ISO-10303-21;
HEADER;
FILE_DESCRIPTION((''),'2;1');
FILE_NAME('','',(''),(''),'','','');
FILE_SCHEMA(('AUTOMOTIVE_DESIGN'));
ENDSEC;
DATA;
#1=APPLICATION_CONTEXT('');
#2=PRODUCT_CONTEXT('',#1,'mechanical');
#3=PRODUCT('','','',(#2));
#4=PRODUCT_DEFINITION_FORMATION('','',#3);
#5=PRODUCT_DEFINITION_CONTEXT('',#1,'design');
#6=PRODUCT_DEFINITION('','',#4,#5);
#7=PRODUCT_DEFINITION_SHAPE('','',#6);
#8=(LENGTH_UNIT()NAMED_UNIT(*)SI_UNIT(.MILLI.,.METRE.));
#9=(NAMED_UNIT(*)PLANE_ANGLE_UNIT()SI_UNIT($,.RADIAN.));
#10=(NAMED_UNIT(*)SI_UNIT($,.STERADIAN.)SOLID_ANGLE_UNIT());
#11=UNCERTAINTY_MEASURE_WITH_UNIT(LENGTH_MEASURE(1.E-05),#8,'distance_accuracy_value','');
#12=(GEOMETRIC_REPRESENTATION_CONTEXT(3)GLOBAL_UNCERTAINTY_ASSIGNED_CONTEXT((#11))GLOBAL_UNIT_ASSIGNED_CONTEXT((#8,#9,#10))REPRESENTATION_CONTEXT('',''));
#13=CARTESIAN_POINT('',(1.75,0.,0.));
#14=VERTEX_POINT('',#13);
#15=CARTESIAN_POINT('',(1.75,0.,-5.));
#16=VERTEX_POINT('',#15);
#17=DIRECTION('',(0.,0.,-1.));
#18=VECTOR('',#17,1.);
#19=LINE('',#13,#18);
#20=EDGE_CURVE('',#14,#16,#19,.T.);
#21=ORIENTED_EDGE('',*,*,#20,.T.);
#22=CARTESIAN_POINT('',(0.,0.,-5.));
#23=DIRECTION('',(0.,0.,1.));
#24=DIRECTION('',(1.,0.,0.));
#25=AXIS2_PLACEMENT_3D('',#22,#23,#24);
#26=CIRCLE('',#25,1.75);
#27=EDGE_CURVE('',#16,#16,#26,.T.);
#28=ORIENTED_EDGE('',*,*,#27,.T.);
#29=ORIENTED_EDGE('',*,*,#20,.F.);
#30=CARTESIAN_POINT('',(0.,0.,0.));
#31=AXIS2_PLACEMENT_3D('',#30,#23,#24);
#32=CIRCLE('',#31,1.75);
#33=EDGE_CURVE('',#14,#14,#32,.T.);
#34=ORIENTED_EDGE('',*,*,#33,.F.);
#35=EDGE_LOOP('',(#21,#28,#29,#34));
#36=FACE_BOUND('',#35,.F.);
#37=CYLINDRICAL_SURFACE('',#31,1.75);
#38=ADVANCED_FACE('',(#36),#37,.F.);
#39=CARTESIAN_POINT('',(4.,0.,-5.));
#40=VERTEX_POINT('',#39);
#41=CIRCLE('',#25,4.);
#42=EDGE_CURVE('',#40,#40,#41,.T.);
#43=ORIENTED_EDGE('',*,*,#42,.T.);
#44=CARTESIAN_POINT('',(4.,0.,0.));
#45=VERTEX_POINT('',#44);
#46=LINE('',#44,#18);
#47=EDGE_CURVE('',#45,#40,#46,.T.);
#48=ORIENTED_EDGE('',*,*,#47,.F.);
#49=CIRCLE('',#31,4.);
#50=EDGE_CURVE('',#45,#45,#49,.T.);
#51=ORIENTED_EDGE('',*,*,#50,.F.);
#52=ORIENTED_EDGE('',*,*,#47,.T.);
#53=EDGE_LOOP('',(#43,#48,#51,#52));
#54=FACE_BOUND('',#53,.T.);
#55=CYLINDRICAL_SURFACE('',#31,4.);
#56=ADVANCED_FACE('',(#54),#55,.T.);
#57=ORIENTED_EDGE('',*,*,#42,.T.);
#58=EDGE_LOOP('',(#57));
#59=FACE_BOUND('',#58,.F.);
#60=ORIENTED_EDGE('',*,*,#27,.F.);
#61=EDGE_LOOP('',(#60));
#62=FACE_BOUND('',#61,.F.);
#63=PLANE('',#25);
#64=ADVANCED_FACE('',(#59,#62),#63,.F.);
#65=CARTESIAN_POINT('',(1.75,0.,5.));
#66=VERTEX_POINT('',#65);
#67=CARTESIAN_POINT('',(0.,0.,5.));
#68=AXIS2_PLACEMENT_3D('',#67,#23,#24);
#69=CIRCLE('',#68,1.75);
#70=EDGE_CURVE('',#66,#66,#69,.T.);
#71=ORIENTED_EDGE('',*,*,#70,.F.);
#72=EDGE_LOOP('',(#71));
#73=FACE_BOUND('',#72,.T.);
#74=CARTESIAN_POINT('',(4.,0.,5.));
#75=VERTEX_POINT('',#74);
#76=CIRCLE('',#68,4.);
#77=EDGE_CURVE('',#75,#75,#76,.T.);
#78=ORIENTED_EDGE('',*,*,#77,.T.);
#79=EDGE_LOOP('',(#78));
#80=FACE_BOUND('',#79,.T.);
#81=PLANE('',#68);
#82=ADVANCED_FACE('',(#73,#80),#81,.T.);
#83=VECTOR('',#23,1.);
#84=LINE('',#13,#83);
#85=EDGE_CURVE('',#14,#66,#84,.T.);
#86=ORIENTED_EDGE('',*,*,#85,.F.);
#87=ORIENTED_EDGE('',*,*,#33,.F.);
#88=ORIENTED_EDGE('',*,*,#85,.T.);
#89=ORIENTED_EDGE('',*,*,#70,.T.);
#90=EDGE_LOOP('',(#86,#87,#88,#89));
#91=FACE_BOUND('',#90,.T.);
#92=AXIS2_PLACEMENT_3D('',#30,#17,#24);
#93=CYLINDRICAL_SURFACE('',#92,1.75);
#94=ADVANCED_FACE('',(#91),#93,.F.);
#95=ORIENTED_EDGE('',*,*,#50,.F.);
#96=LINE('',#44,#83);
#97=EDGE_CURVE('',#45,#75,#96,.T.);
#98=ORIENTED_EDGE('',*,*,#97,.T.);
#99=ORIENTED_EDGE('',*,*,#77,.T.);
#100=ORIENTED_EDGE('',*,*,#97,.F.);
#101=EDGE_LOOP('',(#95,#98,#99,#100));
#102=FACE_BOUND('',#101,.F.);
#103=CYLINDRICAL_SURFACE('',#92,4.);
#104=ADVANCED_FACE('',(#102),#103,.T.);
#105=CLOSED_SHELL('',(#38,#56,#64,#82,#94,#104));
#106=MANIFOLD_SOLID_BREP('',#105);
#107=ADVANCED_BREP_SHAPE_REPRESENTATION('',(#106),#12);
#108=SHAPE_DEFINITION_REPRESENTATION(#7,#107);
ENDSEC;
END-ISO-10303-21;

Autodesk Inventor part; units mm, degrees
ref_plane "YZ Plane" through (0, 0, 0) normal (1, 0, 0) x (0, 1, 0)
ref_plane "XZ Plane" through (0, 0, 0) normal (0, 1, 0) x (-1, 0, 0)
ref_plane "XY Plane" through (0, 0, 0) normal (0, 0, 1) x (1, 0, 0)
sketch "Sketch1" plane through (0, 0, 0) normal (0, 0, 1) x (1, 0, 0)
  circle A0 centre (0, 0) radius 4
  circle A1 centre (0, 0) radius 1.75
  dimension "d0" = 8
  dimension "d1" = 3.5
extrude "Extrusion1" add sketch "Sketch1" along normal mid plane 10
properties part number "spacers" material "ABS Plastic"
